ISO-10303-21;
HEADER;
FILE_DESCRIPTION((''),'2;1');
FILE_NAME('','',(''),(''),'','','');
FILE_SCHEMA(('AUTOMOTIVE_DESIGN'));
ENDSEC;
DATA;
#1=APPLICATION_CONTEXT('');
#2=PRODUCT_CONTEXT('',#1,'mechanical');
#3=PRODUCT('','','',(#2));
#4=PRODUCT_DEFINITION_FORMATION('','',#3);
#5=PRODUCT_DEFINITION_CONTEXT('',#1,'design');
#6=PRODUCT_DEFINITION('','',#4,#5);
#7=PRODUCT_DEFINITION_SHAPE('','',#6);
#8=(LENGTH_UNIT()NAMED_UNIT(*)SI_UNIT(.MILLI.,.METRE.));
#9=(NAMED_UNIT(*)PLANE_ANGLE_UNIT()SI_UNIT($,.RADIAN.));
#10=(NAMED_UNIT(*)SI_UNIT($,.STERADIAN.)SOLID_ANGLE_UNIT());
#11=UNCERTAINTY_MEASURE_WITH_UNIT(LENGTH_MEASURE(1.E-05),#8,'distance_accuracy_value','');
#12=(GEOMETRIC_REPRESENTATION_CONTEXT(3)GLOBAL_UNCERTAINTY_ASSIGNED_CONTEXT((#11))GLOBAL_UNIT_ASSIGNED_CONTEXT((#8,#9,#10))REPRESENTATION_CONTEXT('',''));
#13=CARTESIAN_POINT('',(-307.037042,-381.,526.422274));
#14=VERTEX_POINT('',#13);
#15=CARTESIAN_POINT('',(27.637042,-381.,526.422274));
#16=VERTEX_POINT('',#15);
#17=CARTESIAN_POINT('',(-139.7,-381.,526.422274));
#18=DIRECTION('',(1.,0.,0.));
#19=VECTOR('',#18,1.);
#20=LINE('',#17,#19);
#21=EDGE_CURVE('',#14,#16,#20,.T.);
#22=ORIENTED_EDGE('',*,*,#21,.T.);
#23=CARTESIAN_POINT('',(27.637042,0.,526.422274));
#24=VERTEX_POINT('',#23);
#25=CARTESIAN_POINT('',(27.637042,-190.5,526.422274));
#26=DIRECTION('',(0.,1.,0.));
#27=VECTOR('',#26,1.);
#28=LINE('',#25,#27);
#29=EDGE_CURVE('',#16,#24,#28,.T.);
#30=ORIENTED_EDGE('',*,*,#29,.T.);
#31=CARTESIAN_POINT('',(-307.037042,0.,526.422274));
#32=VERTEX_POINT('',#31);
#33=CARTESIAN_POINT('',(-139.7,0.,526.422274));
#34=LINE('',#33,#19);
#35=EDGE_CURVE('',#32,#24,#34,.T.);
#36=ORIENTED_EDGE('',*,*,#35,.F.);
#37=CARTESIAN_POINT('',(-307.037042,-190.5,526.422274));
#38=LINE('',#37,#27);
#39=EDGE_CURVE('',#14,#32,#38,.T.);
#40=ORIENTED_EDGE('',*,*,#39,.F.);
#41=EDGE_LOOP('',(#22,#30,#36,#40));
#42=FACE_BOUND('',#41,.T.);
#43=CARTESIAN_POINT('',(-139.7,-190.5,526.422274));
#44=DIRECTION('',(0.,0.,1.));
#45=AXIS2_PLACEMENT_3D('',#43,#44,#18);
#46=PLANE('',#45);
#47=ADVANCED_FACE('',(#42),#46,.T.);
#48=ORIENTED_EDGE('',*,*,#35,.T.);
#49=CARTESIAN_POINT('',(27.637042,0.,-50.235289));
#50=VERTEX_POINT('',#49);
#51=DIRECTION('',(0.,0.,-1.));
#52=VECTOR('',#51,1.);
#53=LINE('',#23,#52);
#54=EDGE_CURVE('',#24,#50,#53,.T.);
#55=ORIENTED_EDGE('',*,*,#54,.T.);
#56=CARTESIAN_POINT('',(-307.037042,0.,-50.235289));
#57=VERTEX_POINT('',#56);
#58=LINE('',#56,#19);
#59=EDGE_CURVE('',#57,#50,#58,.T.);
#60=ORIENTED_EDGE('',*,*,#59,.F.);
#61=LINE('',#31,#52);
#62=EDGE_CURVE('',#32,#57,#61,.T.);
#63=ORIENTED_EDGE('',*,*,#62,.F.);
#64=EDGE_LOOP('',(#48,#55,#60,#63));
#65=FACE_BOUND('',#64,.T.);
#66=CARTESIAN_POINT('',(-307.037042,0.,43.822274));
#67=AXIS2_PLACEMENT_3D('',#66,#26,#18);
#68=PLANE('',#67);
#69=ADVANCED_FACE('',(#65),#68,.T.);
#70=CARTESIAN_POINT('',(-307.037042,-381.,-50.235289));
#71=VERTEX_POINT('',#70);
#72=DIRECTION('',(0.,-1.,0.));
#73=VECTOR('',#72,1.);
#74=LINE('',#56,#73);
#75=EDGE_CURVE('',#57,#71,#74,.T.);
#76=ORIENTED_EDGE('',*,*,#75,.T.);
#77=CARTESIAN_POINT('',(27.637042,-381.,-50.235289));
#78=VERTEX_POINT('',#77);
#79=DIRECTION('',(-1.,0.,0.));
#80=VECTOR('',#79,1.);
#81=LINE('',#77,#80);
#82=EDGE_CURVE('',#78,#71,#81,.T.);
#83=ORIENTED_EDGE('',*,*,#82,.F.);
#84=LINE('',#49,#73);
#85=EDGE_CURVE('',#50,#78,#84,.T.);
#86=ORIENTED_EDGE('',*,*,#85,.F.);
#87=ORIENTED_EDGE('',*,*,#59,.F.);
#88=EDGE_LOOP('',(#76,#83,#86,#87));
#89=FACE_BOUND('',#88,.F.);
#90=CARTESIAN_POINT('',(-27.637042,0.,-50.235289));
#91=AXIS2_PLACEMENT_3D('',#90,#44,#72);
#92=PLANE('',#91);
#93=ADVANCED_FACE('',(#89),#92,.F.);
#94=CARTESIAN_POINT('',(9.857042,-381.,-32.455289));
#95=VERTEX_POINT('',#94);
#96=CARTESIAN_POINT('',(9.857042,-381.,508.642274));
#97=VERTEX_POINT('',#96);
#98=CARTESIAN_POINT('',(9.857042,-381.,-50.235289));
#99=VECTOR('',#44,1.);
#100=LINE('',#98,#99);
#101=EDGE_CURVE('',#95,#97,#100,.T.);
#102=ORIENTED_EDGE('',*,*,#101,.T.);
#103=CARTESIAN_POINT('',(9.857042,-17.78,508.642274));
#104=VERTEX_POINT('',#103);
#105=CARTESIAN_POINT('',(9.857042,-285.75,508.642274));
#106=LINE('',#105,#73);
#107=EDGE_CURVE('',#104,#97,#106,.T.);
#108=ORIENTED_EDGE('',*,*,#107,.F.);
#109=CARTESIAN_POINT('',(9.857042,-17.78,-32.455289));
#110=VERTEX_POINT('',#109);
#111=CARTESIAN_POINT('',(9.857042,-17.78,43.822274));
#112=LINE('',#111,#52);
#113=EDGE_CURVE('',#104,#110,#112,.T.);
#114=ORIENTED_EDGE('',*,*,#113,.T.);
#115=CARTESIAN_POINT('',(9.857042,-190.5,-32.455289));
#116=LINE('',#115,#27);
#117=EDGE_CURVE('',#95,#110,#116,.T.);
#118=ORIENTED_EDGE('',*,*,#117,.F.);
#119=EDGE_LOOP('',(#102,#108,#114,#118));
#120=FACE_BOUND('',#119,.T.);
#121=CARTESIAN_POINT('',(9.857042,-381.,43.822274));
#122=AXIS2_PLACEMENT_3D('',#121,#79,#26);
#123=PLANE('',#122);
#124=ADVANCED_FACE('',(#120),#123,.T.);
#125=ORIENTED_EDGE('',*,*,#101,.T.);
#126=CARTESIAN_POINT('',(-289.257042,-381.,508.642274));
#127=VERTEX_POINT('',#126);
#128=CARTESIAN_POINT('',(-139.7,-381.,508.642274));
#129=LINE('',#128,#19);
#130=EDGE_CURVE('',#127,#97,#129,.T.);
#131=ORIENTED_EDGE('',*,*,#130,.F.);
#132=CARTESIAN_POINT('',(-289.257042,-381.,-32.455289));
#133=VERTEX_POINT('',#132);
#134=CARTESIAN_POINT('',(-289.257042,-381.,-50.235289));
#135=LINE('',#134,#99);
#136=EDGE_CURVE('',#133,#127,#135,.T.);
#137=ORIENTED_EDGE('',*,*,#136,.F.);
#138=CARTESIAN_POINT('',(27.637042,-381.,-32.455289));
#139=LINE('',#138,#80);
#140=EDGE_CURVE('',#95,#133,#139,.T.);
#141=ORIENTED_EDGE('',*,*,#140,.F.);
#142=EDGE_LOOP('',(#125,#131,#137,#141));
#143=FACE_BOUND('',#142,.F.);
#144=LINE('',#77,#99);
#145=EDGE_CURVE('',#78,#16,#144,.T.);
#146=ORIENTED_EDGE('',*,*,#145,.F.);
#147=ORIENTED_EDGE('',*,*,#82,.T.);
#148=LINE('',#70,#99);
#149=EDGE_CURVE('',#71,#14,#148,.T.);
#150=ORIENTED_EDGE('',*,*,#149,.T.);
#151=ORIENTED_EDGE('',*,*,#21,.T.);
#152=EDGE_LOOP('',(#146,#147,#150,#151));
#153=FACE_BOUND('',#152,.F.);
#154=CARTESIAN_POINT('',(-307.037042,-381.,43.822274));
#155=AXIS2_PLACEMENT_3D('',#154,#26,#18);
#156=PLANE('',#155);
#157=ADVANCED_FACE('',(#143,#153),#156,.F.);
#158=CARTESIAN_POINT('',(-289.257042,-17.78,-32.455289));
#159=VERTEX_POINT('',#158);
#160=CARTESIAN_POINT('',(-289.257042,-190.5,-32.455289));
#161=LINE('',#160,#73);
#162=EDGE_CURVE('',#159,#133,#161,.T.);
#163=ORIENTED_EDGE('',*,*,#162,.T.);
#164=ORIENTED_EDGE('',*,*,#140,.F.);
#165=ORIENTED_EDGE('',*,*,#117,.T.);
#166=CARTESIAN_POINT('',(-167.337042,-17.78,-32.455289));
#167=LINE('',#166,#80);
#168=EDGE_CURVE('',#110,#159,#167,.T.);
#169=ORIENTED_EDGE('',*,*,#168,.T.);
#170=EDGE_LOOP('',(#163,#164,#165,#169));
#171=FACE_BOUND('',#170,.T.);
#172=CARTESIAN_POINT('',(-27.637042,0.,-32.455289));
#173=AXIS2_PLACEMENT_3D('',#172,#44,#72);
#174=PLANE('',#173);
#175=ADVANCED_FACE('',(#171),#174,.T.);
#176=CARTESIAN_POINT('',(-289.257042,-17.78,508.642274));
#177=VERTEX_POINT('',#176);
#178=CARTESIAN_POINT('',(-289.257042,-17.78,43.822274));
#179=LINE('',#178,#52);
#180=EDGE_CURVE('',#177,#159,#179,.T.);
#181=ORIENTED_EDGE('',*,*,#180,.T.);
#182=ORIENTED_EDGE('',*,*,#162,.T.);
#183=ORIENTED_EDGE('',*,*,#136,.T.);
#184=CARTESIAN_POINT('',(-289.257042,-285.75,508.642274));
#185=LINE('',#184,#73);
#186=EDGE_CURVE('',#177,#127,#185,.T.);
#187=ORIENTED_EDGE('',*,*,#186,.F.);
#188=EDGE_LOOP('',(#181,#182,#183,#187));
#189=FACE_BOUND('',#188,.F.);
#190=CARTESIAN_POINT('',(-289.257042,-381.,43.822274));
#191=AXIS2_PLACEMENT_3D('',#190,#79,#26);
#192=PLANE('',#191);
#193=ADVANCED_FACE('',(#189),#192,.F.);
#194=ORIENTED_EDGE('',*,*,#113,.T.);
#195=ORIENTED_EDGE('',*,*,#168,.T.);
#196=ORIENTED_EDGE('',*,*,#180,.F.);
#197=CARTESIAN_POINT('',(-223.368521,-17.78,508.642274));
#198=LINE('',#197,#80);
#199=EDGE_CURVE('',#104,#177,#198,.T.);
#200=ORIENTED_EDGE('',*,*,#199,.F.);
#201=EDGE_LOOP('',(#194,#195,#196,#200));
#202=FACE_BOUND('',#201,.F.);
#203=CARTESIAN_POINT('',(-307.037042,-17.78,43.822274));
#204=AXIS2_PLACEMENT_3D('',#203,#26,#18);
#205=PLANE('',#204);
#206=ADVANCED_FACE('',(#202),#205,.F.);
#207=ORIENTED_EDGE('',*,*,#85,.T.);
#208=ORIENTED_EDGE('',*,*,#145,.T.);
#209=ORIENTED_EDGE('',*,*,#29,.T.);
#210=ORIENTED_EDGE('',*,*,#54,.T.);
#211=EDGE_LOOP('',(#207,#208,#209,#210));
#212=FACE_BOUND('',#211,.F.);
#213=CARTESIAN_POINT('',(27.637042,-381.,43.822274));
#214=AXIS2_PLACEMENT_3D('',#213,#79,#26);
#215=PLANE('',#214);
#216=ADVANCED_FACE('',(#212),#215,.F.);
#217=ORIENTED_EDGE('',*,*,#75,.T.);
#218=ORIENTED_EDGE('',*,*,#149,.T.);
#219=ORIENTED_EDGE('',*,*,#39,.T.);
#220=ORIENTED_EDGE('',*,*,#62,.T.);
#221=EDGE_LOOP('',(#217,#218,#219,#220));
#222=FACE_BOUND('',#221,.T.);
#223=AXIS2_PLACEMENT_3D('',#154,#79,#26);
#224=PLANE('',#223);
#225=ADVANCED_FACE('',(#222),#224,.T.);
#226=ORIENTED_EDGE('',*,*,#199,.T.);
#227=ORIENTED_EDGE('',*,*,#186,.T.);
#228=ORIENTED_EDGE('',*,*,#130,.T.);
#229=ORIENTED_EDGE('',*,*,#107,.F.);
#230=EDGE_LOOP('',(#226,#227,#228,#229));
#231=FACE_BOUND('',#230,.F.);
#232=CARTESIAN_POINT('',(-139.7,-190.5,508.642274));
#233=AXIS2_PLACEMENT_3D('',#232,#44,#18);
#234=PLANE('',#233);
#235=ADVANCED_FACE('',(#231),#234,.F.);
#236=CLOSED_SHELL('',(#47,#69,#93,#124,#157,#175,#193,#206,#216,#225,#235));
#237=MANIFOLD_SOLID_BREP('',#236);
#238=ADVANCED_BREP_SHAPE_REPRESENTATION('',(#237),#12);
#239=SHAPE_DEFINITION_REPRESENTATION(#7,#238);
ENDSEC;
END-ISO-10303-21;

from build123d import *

# Parameters (mm, degrees)
F0_W     = 55.2740842104
F0_H     = 94.0575622953
F1_DEPTH = 381
F2_DEPTH = 279.4
F3_W     = 334.6740842104
F3_H     = 381
F4_DEPTH = 482.6
F5_T     = -17.78


with BuildPart() as f1:
    # F0 (on Front) → F1 (new body)
    with BuildSketch(Plane.XZ):
        with Locations((0, -3.2065075357)):
            Rectangle(F0_W, F0_H)
    extrude(amount=F1_DEPTH)

    # F2 (add): a face of the model
    f2_faces = [f1.faces().sort_by_distance(p)[0] for p in [
        (-27.6370421052, -190.5, -3.2065075357),
    ]]
    extrude(f2_faces, amount=F2_DEPTH)

    # F3 (on face) → F4 (join)
    with BuildSketch(Plane.XY.offset(43.822273612)):
        with Locations((-139.7, -190.5)):
            Rectangle(F3_W, F3_H)
    extrude(amount=F4_DEPTH)

    # F5
    f5_openings = [f1.faces().sort_by_distance(p)[0] for p in [
        (-139.7, -381, 238.093492),
    ]]
    offset(amount=F5_T, openings=f5_openings)


solid = f1.part
